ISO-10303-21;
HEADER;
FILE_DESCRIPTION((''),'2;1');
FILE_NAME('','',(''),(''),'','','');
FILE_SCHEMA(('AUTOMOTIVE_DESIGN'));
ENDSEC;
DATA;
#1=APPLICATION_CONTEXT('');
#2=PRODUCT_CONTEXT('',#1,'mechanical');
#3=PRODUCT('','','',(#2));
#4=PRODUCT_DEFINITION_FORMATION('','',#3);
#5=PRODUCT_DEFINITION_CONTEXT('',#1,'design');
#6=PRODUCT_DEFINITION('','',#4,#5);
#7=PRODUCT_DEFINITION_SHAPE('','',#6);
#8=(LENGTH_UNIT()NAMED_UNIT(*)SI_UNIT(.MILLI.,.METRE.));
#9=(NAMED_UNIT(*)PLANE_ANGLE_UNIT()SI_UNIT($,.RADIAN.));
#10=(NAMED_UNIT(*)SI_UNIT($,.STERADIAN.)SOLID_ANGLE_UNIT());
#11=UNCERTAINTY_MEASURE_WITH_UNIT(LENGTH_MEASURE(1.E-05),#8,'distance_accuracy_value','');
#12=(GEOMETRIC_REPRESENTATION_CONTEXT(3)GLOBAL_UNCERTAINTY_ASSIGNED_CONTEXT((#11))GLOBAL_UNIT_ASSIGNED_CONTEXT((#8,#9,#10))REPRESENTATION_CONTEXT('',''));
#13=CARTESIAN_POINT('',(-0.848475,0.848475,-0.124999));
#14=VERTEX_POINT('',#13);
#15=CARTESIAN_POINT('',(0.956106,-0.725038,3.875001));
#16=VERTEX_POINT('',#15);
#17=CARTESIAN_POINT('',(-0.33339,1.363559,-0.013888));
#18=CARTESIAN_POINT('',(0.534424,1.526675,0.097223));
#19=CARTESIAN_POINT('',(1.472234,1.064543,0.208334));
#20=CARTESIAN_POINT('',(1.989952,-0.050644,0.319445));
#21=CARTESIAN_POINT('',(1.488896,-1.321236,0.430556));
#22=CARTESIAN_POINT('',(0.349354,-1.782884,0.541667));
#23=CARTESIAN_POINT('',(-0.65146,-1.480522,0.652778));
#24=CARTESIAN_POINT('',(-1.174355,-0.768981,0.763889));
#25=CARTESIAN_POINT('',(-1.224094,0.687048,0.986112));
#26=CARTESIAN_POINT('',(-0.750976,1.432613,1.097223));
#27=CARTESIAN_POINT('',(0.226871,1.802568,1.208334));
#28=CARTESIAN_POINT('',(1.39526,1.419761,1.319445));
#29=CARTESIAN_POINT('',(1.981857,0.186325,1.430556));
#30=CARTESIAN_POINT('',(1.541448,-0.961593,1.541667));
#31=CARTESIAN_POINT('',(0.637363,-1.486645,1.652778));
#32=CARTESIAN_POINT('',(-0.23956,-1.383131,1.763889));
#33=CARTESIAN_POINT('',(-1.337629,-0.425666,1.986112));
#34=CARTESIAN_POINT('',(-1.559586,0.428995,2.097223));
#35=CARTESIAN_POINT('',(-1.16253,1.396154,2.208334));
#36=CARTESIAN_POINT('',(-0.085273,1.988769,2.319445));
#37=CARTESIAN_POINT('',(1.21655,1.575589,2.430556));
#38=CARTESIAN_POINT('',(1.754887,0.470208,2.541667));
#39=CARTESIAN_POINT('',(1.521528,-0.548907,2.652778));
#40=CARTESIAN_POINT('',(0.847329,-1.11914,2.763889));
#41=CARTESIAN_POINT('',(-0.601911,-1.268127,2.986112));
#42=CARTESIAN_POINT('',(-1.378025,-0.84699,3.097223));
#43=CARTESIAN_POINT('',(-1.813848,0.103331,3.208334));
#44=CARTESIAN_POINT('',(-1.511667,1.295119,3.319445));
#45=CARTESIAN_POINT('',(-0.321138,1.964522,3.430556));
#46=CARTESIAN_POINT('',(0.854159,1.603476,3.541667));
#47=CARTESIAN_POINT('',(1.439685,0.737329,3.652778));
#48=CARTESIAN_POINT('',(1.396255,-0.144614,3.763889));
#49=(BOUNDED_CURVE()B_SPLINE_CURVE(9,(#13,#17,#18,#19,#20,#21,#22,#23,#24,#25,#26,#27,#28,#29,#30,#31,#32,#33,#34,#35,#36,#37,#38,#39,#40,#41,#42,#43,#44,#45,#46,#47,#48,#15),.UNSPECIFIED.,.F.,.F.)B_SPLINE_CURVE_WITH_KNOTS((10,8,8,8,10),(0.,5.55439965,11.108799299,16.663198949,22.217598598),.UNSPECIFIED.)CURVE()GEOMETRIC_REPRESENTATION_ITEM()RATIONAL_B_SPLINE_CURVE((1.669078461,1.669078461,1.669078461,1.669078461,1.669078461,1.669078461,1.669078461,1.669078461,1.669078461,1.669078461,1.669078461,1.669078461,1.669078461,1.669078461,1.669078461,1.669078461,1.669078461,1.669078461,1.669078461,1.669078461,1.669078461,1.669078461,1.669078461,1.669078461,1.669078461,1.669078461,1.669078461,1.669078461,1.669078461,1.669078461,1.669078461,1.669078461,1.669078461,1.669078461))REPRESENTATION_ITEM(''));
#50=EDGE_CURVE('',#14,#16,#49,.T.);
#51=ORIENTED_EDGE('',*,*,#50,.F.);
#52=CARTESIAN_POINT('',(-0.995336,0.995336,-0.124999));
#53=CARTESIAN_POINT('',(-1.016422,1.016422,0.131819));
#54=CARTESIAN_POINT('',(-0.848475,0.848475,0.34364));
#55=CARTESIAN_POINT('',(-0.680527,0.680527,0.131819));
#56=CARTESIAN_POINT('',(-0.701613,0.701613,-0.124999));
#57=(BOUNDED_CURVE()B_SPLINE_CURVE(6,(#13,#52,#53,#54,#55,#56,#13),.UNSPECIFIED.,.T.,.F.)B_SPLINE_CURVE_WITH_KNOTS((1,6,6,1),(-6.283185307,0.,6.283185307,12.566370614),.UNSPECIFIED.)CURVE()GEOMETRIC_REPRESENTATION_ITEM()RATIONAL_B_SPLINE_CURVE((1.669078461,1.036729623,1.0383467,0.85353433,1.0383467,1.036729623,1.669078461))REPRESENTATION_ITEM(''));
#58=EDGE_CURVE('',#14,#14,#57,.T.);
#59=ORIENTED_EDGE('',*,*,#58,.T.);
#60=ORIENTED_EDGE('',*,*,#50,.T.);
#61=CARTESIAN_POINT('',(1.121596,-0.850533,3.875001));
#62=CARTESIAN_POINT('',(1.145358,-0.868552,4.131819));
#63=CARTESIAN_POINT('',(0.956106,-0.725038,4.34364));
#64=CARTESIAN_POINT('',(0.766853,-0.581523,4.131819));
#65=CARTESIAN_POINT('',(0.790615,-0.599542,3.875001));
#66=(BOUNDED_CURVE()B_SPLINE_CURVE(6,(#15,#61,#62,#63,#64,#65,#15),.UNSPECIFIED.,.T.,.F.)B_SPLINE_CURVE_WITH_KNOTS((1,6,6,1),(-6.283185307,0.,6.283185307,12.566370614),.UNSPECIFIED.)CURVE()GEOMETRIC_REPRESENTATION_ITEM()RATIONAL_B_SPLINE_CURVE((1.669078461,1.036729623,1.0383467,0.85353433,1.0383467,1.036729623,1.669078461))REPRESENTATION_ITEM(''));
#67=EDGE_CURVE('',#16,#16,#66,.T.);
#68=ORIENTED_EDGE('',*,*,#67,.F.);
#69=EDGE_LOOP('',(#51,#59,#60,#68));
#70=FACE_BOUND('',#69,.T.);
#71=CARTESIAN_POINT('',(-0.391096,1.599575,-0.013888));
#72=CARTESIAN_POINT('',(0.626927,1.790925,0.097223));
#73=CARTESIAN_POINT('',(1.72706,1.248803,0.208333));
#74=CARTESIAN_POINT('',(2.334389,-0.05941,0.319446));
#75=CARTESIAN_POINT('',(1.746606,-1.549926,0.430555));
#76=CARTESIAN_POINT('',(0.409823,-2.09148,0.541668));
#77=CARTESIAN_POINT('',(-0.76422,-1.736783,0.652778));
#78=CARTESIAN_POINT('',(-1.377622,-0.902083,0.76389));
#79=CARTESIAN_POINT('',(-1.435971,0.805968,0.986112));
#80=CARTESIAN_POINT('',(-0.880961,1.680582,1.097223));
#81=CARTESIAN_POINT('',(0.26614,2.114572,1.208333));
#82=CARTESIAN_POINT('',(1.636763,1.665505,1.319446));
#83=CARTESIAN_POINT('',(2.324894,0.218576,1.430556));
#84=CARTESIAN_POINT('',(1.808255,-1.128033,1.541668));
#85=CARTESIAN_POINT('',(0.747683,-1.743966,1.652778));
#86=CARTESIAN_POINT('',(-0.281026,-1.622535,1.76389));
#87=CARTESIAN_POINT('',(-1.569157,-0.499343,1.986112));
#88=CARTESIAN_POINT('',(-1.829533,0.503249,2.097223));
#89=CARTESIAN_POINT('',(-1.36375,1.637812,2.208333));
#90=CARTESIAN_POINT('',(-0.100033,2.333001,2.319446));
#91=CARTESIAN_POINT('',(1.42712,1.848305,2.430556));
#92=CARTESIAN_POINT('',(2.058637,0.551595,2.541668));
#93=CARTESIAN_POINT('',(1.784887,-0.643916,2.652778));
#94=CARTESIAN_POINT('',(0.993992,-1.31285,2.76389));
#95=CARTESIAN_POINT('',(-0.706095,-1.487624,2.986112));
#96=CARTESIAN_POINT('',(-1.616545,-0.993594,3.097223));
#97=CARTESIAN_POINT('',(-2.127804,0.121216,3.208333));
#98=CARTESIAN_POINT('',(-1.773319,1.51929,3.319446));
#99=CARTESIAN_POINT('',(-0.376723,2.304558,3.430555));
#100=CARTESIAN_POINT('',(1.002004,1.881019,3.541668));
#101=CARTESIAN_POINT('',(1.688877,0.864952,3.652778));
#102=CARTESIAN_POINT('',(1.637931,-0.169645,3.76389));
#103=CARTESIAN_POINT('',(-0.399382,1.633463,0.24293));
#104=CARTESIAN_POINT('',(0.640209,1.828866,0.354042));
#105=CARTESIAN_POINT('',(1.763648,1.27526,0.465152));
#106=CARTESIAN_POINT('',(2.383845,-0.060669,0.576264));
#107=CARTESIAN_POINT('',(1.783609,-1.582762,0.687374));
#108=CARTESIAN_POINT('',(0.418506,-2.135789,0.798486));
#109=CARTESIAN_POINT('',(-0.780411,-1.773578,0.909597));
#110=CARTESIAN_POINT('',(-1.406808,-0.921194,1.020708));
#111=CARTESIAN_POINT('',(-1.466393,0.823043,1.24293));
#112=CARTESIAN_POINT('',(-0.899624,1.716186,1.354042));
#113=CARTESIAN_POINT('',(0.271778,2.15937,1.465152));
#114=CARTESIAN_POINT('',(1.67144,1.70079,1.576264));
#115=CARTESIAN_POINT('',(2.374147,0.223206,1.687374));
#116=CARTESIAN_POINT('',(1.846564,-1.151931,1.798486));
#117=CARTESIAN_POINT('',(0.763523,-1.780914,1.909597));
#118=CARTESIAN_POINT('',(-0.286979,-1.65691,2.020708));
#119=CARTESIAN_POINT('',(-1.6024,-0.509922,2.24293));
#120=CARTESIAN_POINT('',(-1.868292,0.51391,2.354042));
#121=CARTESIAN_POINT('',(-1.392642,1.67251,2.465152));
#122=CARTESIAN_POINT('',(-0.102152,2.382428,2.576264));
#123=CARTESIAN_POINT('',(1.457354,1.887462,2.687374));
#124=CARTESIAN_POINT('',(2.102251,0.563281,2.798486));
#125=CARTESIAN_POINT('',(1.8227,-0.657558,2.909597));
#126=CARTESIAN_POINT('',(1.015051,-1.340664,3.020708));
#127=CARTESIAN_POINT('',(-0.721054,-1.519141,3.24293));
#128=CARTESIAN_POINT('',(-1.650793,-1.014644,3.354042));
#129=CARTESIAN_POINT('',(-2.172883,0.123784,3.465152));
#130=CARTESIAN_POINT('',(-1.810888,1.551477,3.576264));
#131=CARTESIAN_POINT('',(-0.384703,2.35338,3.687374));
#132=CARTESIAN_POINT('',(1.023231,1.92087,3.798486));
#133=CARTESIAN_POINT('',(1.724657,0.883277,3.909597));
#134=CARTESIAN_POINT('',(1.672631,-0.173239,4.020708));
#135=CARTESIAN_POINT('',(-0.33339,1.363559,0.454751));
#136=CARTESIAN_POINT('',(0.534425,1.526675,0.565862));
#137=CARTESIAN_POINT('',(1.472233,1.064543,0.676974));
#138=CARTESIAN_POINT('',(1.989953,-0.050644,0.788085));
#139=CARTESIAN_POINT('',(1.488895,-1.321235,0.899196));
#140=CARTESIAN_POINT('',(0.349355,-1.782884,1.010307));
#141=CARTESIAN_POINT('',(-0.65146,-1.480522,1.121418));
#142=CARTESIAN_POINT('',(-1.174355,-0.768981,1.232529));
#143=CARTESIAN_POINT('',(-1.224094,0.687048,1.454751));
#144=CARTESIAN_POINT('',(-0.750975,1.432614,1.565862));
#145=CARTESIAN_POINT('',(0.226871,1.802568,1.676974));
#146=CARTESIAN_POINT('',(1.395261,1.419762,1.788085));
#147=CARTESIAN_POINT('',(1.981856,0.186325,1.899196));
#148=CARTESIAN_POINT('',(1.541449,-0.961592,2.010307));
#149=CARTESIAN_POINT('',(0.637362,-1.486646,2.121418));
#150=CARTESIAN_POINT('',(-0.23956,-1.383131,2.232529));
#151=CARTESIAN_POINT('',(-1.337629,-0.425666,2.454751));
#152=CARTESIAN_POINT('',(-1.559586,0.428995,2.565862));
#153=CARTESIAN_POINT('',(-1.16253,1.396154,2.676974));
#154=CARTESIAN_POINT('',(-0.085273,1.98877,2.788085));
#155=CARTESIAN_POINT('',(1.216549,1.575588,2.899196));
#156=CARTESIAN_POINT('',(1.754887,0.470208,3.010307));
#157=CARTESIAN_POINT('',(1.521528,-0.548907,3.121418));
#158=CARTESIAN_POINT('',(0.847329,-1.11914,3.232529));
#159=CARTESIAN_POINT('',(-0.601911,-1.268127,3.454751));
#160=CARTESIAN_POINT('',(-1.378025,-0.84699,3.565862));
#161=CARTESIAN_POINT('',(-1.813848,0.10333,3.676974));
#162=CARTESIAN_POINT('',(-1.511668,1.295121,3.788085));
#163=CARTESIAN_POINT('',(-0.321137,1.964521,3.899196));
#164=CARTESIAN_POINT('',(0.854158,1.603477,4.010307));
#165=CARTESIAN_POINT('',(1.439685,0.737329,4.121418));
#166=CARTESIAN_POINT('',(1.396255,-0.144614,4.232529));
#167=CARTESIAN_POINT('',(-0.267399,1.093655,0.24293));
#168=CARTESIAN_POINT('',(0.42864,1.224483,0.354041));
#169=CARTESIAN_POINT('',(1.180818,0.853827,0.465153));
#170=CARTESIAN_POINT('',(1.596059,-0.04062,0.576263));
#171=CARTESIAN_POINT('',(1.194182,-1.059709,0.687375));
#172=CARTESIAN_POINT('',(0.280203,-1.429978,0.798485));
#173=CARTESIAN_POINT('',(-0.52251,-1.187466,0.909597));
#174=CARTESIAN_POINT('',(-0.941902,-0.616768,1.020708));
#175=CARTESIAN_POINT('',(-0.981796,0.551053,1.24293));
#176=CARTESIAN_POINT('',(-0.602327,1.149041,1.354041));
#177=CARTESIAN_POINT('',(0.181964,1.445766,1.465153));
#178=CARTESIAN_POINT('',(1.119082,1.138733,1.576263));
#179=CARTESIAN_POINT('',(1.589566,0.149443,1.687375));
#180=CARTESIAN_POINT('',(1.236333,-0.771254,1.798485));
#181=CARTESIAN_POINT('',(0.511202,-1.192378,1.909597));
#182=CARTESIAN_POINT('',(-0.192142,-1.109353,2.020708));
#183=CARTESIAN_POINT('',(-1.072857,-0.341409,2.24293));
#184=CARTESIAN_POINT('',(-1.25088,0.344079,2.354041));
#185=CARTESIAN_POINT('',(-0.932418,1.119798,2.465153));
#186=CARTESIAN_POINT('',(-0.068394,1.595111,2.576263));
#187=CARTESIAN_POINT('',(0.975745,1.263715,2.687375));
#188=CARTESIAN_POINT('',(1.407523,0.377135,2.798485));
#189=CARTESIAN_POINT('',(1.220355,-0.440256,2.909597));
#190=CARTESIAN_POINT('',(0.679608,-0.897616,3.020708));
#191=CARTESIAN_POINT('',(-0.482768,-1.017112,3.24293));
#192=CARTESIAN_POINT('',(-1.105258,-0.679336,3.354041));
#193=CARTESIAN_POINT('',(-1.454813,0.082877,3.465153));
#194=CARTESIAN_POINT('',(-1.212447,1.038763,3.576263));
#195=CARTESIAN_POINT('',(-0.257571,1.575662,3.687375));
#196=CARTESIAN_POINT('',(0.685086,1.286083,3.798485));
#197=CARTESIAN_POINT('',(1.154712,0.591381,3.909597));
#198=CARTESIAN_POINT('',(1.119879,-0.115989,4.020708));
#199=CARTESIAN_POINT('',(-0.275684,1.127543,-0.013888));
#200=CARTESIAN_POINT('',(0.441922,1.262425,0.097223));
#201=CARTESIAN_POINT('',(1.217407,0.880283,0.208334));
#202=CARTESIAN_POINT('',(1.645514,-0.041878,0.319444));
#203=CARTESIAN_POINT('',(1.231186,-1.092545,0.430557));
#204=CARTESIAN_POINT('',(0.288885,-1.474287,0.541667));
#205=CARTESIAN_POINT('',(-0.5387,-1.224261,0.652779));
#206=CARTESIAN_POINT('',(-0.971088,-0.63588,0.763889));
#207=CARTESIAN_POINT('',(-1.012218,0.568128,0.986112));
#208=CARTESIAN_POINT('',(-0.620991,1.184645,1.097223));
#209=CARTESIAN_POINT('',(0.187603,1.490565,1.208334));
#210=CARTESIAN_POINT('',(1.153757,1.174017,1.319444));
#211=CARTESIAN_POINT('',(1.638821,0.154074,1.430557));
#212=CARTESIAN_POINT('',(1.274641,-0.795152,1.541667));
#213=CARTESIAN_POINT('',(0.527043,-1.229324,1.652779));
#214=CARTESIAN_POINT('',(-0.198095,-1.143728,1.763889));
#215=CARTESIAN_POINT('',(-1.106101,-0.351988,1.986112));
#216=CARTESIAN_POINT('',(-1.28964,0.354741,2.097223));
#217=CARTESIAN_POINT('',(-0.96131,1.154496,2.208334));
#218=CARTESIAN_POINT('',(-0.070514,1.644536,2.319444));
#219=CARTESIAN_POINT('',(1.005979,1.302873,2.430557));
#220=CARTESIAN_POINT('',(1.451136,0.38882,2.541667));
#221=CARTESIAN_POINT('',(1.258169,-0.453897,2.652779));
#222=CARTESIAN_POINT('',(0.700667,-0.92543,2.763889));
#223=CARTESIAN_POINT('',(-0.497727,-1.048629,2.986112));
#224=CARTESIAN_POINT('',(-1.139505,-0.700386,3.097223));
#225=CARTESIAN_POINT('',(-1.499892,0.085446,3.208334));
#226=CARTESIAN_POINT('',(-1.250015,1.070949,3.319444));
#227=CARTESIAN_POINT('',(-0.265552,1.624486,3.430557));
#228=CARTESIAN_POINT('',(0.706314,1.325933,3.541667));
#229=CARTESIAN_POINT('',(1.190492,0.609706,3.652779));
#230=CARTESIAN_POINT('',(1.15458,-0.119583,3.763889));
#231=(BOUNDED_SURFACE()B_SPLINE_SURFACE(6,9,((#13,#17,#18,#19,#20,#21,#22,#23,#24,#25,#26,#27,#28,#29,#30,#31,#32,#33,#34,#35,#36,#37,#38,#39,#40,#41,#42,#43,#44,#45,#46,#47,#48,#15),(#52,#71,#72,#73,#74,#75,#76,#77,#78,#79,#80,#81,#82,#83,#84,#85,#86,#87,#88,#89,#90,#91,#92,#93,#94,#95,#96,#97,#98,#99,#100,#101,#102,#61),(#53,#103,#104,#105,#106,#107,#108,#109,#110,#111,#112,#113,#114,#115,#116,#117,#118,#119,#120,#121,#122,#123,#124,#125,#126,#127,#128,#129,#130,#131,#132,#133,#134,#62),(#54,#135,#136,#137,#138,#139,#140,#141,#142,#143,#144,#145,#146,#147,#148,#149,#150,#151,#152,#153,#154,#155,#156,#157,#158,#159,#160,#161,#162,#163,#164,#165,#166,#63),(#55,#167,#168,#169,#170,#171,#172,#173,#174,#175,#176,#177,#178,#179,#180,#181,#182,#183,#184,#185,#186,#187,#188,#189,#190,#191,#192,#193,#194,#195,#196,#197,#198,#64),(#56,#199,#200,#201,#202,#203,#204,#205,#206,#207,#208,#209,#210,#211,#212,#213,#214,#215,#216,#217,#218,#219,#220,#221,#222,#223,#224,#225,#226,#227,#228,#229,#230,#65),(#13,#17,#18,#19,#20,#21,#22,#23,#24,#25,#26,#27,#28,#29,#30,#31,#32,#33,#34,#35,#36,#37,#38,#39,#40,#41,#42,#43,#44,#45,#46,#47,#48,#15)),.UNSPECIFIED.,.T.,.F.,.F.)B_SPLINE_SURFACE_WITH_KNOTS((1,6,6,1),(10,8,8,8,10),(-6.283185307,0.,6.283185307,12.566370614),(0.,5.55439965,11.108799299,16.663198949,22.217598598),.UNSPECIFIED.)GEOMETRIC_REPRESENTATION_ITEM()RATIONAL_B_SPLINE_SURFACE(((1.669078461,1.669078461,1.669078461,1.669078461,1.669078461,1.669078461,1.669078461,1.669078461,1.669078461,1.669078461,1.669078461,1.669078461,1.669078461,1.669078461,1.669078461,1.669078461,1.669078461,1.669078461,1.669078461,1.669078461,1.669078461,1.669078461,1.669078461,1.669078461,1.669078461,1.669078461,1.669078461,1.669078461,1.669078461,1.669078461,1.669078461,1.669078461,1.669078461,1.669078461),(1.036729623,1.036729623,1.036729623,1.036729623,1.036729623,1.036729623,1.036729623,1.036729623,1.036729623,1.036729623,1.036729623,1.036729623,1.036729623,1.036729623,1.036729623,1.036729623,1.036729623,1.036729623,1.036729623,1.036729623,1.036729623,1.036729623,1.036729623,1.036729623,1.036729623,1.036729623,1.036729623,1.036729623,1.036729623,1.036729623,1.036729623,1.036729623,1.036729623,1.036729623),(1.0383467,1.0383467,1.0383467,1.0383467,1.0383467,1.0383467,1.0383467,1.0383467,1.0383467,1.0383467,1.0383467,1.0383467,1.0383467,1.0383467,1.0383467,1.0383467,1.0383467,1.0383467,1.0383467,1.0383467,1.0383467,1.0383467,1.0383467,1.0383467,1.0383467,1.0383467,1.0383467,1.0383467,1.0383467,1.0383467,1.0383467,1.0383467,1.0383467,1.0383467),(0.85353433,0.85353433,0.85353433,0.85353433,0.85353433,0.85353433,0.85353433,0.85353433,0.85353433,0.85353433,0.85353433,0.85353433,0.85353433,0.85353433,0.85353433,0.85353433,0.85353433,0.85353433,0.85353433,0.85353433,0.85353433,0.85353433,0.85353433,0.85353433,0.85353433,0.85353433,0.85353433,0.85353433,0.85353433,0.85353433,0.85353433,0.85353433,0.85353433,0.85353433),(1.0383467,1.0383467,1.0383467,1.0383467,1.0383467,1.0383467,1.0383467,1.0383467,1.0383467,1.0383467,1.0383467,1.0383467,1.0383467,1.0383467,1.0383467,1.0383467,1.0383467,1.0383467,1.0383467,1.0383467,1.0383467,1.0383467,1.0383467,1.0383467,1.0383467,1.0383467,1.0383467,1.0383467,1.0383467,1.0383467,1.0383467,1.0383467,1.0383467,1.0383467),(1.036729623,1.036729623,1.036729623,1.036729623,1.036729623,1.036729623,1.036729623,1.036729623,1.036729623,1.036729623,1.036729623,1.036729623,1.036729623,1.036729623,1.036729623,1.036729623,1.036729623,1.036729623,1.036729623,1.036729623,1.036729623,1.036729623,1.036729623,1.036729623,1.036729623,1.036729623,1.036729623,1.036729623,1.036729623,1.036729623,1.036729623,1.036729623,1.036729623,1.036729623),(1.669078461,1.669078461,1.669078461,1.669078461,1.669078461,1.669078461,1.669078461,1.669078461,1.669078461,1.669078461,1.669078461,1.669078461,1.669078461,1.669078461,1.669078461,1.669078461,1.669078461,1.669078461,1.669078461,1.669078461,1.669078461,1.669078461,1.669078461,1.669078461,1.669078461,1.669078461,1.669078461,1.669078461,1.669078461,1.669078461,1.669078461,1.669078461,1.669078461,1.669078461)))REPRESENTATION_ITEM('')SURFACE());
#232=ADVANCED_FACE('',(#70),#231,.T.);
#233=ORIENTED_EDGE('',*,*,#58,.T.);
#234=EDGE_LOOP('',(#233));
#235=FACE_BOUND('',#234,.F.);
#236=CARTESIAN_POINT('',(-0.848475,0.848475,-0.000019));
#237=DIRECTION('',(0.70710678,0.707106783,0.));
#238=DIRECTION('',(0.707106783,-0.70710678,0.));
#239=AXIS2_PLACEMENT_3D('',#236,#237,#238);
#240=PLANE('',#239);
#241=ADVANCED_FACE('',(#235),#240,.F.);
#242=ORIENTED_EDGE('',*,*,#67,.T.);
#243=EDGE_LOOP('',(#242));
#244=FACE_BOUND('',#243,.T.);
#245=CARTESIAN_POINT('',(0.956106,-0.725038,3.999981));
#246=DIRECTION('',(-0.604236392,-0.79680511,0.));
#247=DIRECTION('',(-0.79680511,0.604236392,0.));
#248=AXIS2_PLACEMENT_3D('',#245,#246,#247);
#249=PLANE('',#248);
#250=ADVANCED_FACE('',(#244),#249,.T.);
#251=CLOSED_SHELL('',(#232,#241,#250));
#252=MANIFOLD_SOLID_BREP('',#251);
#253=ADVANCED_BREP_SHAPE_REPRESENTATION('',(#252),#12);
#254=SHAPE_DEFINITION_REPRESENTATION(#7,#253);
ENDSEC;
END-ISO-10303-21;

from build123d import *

# Parameters (mm, degrees)
WYCI_GNI_CIE_PO_CIE_CE1_PITCH       = 1.15
WYCI_GNI_CIE_PO_CIE_CE1_HEIGHT      = 4
WYCI_GNI_CIE_PO_CIE_CE1_RADIUS      = 1.2
WYCI_GNI_CIE_PO_CIE_CE1_START_ANGLE = 135
SZKIC2_R                            = 0.125


with BuildPart() as part:
    # Wyciągnięcie po ścieżce1: sweep along a helix
    with BuildLine() as wyci_gni_cie_po_cie_ce1_path:
        add(Helix(WYCI_GNI_CIE_PO_CIE_CE1_PITCH, WYCI_GNI_CIE_PO_CIE_CE1_HEIGHT, WYCI_GNI_CIE_PO_CIE_CE1_RADIUS, center=(0, 0, 0), direction=(0, 0, 1), lefthand=True, mode=Mode.PRIVATE).rotate(Axis((0, 0, 0), (0, 0, 1)), WYCI_GNI_CIE_PO_CIE_CE1_START_ANGLE))
    # Szkic2 → Wyciągnięcie po ścieżce1 (sweep)
    with BuildSketch(Plane(origin=(0, 0, 0), x_dir=(0, 0, -1), z_dir=(1, 0, 0))):
        with Locations((-3.593750599, 1.199924179)):
            Circle(SZKIC2_R)
    sweep(path=wyci_gni_cie_po_cie_ce1_path.line, is_frenet=True)


solid = part.part
